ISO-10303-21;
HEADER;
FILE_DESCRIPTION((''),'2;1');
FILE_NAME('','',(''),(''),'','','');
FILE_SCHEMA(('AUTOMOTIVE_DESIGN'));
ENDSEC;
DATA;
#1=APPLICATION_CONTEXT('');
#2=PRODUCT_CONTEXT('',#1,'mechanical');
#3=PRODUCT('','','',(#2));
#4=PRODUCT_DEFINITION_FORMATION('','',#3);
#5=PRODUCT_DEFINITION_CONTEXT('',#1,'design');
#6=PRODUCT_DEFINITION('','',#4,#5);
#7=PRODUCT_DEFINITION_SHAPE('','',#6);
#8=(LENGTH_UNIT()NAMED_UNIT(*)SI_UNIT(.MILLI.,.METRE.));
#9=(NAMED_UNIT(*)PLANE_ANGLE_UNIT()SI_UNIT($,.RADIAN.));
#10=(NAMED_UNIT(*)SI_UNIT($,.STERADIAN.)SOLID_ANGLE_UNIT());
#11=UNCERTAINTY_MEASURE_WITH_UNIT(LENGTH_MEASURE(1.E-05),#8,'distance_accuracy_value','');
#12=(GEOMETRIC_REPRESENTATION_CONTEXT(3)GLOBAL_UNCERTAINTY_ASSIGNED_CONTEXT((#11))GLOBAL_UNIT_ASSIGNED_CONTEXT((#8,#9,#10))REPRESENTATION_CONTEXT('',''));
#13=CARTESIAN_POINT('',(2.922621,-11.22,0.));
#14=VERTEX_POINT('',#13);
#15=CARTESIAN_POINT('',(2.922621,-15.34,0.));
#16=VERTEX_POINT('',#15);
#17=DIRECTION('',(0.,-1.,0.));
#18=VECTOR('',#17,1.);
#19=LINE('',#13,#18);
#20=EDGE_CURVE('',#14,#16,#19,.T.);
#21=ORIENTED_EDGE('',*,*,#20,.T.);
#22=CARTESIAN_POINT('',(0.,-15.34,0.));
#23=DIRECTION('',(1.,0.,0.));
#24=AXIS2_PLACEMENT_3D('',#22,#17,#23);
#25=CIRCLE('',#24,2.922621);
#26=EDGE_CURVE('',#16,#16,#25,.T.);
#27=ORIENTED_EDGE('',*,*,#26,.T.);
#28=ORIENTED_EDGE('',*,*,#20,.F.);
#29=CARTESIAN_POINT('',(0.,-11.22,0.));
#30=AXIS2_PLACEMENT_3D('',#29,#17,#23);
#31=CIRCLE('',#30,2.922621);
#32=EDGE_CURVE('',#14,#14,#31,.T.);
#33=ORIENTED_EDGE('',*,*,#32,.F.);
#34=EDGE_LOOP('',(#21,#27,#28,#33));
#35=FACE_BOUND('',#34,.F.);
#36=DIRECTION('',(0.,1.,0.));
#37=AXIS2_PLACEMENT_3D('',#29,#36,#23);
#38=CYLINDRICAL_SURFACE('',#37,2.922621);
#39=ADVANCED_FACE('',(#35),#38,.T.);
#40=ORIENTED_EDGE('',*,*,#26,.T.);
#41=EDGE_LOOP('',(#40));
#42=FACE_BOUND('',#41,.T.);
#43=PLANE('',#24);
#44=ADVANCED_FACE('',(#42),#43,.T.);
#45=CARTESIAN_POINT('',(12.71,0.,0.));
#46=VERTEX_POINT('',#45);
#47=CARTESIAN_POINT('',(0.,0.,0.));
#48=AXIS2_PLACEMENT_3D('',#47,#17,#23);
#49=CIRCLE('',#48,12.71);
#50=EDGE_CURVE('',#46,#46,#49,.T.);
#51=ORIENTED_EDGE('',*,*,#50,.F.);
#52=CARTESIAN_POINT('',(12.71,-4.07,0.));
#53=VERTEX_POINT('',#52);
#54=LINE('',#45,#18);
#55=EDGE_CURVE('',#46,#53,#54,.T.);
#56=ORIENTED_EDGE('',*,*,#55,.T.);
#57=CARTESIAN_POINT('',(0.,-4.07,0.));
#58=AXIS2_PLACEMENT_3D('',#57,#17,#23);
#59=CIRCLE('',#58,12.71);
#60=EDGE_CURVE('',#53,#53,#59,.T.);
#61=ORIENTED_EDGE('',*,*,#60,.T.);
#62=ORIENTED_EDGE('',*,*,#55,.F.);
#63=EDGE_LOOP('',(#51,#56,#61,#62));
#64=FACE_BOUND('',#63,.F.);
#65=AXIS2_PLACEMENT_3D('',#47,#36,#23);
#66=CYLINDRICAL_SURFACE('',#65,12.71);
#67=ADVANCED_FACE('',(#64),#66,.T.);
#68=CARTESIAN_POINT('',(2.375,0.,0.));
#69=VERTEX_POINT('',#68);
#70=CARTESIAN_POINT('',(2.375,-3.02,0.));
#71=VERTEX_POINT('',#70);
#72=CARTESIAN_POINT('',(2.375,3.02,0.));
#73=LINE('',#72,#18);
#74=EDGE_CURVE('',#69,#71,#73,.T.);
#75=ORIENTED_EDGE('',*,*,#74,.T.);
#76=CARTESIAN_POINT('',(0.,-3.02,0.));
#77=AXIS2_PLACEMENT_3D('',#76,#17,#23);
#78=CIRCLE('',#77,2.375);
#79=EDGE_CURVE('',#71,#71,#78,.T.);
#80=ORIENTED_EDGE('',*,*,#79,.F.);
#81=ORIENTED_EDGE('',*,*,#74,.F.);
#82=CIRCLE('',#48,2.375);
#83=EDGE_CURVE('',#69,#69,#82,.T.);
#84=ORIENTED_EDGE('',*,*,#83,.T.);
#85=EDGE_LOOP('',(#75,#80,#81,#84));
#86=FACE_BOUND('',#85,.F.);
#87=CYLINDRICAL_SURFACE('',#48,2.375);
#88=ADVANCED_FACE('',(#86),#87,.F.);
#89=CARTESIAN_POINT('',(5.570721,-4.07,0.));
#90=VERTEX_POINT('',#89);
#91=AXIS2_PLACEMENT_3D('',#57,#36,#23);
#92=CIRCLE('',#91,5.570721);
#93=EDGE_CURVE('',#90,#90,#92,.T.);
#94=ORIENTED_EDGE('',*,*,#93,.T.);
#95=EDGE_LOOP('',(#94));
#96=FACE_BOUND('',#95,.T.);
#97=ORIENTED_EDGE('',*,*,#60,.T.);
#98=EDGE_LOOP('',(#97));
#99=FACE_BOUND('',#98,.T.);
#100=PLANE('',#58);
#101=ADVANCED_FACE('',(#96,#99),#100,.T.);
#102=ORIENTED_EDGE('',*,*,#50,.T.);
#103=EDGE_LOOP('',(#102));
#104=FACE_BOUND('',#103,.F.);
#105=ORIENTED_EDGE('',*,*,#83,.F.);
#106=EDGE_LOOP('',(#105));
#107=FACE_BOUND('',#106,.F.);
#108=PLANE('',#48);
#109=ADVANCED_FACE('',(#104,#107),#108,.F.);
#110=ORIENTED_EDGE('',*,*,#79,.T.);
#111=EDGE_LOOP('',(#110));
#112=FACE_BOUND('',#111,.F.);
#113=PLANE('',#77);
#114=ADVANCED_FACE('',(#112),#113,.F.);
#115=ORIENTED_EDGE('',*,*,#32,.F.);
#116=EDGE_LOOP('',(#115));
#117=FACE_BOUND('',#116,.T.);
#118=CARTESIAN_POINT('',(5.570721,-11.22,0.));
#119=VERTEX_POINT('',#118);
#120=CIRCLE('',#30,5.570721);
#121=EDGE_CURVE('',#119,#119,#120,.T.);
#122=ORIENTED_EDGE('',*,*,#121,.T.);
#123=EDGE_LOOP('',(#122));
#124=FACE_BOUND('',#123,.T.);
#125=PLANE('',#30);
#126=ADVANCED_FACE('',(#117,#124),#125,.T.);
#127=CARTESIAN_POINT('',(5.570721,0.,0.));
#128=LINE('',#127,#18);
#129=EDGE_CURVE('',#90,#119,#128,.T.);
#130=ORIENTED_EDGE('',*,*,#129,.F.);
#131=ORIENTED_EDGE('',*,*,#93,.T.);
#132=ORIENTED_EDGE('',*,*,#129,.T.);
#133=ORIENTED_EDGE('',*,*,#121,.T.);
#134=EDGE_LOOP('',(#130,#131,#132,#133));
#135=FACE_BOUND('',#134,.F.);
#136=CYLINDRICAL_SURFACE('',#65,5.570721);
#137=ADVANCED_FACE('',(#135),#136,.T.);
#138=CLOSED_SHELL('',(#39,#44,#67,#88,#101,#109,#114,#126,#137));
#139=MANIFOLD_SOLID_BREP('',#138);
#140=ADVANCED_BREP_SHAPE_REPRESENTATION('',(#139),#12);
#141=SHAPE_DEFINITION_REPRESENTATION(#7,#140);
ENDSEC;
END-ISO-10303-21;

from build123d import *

# Parameters (mm, degrees)
F0_R     = 12.71
F1_DEPTH = 4.07
F2_R     = 5.5707205992
F3_DEPTH = 11.22
F4_R     = 2.9226210924
F5_DEPTH = 4.12
F6_R     = 2.375
F7_DEPTH = 3.02


with BuildPart() as f1:
    # F0 (on Front) → F1 (new body)
    with BuildSketch(Plane.XZ):
        Circle(F0_R)
    extrude(amount=F1_DEPTH)

    # F2 (on Front) → F3 (join)
    with BuildSketch(Plane.XZ):
        Circle(F2_R)
    extrude(amount=F3_DEPTH)

    # F4 (on face) → F5 (join)
    with BuildSketch(Plane.XZ.offset(11.22)):
        Circle(F4_R)
    extrude(amount=F5_DEPTH)

    # F6 (on face) → F7 (cut, symmetric)
    with BuildSketch(Plane.XZ):
        Circle(F6_R)
    extrude(amount=F7_DEPTH, both=True, mode=Mode.SUBTRACT)


solid = f1.part
